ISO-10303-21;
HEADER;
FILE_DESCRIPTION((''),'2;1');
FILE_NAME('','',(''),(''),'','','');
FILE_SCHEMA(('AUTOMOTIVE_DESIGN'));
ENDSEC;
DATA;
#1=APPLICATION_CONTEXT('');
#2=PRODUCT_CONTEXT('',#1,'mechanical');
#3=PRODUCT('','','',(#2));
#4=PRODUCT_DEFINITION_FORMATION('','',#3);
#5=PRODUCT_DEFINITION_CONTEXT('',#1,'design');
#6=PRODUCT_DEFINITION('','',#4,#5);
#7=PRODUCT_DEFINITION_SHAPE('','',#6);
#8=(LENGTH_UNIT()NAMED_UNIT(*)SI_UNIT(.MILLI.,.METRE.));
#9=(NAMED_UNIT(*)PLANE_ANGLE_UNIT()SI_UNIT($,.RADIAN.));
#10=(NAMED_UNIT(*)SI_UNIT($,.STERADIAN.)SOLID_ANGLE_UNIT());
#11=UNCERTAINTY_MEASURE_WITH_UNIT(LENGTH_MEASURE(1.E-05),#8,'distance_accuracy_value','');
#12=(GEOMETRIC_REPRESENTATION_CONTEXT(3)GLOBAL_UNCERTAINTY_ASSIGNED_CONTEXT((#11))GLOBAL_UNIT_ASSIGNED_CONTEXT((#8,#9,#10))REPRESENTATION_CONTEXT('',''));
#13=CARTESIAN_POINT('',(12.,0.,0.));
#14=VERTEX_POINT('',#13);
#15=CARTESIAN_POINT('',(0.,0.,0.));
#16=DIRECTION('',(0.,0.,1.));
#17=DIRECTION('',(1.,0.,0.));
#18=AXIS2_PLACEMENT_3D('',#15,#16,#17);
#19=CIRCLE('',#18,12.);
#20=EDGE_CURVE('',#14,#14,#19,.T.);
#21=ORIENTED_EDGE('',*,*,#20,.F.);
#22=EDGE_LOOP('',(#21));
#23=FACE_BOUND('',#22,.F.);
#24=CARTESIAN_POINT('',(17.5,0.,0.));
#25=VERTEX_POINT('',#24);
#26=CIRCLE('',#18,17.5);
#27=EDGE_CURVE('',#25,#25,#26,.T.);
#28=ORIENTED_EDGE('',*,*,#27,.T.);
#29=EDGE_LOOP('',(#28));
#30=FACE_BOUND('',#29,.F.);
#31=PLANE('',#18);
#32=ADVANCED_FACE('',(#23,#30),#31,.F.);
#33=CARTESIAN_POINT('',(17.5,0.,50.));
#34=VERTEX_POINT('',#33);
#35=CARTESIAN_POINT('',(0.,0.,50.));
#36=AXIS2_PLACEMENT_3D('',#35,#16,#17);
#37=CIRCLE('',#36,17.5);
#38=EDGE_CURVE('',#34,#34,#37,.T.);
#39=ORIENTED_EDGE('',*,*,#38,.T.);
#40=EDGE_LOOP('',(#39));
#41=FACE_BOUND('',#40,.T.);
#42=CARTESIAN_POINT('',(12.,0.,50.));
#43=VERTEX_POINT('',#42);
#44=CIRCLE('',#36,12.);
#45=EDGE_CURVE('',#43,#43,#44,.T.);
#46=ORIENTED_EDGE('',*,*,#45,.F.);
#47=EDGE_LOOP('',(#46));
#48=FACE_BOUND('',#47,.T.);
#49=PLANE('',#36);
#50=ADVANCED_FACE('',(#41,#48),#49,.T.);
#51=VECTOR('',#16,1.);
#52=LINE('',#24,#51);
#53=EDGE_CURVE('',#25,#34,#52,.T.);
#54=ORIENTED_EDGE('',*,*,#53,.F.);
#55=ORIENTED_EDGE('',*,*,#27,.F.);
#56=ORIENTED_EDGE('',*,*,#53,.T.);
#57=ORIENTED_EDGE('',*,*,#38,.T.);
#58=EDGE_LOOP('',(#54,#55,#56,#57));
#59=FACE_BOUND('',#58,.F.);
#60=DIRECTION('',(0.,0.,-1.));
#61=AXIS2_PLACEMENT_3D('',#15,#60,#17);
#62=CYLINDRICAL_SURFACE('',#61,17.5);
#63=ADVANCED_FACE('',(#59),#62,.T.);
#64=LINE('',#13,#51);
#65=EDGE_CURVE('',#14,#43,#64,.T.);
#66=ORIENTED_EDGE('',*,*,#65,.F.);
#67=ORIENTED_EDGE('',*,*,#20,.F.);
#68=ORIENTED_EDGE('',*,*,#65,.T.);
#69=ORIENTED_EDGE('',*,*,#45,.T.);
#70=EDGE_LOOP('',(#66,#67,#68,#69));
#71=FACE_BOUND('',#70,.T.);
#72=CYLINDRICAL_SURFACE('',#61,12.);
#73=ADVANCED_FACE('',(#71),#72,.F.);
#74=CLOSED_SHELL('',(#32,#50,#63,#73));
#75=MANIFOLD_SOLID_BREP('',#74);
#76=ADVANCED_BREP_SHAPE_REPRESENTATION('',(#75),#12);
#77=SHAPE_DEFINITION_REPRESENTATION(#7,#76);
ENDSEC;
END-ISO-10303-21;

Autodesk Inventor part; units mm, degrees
ref_plane "YZ Plane" through (0, 0, 0) normal (1, 0, 0) x (0, 1, 0)
ref_plane "XZ Plane" through (0, 0, 0) normal (0, 1, 0) x (-1, 0, 0)
ref_plane "XY Plane" through (0, 0, 0) normal (0, 0, 1) x (1, 0, 0)
sketch "Эскиз1" plane through (0, 0, 0) normal (0, 0, 1) x (1, 0, 0)
  circle A0 centre (0, 0) radius 12
  circle A1 centre (0, 0) radius 17.5
  dimension "d0" = 24
  dimension "d1" = 35
extrude "Выдавливание1" add sketch "Эскиз1" along normal blind 50
properties part number "Для регулировки 1" material "Сталь, высокопрочная, низколегированная"
